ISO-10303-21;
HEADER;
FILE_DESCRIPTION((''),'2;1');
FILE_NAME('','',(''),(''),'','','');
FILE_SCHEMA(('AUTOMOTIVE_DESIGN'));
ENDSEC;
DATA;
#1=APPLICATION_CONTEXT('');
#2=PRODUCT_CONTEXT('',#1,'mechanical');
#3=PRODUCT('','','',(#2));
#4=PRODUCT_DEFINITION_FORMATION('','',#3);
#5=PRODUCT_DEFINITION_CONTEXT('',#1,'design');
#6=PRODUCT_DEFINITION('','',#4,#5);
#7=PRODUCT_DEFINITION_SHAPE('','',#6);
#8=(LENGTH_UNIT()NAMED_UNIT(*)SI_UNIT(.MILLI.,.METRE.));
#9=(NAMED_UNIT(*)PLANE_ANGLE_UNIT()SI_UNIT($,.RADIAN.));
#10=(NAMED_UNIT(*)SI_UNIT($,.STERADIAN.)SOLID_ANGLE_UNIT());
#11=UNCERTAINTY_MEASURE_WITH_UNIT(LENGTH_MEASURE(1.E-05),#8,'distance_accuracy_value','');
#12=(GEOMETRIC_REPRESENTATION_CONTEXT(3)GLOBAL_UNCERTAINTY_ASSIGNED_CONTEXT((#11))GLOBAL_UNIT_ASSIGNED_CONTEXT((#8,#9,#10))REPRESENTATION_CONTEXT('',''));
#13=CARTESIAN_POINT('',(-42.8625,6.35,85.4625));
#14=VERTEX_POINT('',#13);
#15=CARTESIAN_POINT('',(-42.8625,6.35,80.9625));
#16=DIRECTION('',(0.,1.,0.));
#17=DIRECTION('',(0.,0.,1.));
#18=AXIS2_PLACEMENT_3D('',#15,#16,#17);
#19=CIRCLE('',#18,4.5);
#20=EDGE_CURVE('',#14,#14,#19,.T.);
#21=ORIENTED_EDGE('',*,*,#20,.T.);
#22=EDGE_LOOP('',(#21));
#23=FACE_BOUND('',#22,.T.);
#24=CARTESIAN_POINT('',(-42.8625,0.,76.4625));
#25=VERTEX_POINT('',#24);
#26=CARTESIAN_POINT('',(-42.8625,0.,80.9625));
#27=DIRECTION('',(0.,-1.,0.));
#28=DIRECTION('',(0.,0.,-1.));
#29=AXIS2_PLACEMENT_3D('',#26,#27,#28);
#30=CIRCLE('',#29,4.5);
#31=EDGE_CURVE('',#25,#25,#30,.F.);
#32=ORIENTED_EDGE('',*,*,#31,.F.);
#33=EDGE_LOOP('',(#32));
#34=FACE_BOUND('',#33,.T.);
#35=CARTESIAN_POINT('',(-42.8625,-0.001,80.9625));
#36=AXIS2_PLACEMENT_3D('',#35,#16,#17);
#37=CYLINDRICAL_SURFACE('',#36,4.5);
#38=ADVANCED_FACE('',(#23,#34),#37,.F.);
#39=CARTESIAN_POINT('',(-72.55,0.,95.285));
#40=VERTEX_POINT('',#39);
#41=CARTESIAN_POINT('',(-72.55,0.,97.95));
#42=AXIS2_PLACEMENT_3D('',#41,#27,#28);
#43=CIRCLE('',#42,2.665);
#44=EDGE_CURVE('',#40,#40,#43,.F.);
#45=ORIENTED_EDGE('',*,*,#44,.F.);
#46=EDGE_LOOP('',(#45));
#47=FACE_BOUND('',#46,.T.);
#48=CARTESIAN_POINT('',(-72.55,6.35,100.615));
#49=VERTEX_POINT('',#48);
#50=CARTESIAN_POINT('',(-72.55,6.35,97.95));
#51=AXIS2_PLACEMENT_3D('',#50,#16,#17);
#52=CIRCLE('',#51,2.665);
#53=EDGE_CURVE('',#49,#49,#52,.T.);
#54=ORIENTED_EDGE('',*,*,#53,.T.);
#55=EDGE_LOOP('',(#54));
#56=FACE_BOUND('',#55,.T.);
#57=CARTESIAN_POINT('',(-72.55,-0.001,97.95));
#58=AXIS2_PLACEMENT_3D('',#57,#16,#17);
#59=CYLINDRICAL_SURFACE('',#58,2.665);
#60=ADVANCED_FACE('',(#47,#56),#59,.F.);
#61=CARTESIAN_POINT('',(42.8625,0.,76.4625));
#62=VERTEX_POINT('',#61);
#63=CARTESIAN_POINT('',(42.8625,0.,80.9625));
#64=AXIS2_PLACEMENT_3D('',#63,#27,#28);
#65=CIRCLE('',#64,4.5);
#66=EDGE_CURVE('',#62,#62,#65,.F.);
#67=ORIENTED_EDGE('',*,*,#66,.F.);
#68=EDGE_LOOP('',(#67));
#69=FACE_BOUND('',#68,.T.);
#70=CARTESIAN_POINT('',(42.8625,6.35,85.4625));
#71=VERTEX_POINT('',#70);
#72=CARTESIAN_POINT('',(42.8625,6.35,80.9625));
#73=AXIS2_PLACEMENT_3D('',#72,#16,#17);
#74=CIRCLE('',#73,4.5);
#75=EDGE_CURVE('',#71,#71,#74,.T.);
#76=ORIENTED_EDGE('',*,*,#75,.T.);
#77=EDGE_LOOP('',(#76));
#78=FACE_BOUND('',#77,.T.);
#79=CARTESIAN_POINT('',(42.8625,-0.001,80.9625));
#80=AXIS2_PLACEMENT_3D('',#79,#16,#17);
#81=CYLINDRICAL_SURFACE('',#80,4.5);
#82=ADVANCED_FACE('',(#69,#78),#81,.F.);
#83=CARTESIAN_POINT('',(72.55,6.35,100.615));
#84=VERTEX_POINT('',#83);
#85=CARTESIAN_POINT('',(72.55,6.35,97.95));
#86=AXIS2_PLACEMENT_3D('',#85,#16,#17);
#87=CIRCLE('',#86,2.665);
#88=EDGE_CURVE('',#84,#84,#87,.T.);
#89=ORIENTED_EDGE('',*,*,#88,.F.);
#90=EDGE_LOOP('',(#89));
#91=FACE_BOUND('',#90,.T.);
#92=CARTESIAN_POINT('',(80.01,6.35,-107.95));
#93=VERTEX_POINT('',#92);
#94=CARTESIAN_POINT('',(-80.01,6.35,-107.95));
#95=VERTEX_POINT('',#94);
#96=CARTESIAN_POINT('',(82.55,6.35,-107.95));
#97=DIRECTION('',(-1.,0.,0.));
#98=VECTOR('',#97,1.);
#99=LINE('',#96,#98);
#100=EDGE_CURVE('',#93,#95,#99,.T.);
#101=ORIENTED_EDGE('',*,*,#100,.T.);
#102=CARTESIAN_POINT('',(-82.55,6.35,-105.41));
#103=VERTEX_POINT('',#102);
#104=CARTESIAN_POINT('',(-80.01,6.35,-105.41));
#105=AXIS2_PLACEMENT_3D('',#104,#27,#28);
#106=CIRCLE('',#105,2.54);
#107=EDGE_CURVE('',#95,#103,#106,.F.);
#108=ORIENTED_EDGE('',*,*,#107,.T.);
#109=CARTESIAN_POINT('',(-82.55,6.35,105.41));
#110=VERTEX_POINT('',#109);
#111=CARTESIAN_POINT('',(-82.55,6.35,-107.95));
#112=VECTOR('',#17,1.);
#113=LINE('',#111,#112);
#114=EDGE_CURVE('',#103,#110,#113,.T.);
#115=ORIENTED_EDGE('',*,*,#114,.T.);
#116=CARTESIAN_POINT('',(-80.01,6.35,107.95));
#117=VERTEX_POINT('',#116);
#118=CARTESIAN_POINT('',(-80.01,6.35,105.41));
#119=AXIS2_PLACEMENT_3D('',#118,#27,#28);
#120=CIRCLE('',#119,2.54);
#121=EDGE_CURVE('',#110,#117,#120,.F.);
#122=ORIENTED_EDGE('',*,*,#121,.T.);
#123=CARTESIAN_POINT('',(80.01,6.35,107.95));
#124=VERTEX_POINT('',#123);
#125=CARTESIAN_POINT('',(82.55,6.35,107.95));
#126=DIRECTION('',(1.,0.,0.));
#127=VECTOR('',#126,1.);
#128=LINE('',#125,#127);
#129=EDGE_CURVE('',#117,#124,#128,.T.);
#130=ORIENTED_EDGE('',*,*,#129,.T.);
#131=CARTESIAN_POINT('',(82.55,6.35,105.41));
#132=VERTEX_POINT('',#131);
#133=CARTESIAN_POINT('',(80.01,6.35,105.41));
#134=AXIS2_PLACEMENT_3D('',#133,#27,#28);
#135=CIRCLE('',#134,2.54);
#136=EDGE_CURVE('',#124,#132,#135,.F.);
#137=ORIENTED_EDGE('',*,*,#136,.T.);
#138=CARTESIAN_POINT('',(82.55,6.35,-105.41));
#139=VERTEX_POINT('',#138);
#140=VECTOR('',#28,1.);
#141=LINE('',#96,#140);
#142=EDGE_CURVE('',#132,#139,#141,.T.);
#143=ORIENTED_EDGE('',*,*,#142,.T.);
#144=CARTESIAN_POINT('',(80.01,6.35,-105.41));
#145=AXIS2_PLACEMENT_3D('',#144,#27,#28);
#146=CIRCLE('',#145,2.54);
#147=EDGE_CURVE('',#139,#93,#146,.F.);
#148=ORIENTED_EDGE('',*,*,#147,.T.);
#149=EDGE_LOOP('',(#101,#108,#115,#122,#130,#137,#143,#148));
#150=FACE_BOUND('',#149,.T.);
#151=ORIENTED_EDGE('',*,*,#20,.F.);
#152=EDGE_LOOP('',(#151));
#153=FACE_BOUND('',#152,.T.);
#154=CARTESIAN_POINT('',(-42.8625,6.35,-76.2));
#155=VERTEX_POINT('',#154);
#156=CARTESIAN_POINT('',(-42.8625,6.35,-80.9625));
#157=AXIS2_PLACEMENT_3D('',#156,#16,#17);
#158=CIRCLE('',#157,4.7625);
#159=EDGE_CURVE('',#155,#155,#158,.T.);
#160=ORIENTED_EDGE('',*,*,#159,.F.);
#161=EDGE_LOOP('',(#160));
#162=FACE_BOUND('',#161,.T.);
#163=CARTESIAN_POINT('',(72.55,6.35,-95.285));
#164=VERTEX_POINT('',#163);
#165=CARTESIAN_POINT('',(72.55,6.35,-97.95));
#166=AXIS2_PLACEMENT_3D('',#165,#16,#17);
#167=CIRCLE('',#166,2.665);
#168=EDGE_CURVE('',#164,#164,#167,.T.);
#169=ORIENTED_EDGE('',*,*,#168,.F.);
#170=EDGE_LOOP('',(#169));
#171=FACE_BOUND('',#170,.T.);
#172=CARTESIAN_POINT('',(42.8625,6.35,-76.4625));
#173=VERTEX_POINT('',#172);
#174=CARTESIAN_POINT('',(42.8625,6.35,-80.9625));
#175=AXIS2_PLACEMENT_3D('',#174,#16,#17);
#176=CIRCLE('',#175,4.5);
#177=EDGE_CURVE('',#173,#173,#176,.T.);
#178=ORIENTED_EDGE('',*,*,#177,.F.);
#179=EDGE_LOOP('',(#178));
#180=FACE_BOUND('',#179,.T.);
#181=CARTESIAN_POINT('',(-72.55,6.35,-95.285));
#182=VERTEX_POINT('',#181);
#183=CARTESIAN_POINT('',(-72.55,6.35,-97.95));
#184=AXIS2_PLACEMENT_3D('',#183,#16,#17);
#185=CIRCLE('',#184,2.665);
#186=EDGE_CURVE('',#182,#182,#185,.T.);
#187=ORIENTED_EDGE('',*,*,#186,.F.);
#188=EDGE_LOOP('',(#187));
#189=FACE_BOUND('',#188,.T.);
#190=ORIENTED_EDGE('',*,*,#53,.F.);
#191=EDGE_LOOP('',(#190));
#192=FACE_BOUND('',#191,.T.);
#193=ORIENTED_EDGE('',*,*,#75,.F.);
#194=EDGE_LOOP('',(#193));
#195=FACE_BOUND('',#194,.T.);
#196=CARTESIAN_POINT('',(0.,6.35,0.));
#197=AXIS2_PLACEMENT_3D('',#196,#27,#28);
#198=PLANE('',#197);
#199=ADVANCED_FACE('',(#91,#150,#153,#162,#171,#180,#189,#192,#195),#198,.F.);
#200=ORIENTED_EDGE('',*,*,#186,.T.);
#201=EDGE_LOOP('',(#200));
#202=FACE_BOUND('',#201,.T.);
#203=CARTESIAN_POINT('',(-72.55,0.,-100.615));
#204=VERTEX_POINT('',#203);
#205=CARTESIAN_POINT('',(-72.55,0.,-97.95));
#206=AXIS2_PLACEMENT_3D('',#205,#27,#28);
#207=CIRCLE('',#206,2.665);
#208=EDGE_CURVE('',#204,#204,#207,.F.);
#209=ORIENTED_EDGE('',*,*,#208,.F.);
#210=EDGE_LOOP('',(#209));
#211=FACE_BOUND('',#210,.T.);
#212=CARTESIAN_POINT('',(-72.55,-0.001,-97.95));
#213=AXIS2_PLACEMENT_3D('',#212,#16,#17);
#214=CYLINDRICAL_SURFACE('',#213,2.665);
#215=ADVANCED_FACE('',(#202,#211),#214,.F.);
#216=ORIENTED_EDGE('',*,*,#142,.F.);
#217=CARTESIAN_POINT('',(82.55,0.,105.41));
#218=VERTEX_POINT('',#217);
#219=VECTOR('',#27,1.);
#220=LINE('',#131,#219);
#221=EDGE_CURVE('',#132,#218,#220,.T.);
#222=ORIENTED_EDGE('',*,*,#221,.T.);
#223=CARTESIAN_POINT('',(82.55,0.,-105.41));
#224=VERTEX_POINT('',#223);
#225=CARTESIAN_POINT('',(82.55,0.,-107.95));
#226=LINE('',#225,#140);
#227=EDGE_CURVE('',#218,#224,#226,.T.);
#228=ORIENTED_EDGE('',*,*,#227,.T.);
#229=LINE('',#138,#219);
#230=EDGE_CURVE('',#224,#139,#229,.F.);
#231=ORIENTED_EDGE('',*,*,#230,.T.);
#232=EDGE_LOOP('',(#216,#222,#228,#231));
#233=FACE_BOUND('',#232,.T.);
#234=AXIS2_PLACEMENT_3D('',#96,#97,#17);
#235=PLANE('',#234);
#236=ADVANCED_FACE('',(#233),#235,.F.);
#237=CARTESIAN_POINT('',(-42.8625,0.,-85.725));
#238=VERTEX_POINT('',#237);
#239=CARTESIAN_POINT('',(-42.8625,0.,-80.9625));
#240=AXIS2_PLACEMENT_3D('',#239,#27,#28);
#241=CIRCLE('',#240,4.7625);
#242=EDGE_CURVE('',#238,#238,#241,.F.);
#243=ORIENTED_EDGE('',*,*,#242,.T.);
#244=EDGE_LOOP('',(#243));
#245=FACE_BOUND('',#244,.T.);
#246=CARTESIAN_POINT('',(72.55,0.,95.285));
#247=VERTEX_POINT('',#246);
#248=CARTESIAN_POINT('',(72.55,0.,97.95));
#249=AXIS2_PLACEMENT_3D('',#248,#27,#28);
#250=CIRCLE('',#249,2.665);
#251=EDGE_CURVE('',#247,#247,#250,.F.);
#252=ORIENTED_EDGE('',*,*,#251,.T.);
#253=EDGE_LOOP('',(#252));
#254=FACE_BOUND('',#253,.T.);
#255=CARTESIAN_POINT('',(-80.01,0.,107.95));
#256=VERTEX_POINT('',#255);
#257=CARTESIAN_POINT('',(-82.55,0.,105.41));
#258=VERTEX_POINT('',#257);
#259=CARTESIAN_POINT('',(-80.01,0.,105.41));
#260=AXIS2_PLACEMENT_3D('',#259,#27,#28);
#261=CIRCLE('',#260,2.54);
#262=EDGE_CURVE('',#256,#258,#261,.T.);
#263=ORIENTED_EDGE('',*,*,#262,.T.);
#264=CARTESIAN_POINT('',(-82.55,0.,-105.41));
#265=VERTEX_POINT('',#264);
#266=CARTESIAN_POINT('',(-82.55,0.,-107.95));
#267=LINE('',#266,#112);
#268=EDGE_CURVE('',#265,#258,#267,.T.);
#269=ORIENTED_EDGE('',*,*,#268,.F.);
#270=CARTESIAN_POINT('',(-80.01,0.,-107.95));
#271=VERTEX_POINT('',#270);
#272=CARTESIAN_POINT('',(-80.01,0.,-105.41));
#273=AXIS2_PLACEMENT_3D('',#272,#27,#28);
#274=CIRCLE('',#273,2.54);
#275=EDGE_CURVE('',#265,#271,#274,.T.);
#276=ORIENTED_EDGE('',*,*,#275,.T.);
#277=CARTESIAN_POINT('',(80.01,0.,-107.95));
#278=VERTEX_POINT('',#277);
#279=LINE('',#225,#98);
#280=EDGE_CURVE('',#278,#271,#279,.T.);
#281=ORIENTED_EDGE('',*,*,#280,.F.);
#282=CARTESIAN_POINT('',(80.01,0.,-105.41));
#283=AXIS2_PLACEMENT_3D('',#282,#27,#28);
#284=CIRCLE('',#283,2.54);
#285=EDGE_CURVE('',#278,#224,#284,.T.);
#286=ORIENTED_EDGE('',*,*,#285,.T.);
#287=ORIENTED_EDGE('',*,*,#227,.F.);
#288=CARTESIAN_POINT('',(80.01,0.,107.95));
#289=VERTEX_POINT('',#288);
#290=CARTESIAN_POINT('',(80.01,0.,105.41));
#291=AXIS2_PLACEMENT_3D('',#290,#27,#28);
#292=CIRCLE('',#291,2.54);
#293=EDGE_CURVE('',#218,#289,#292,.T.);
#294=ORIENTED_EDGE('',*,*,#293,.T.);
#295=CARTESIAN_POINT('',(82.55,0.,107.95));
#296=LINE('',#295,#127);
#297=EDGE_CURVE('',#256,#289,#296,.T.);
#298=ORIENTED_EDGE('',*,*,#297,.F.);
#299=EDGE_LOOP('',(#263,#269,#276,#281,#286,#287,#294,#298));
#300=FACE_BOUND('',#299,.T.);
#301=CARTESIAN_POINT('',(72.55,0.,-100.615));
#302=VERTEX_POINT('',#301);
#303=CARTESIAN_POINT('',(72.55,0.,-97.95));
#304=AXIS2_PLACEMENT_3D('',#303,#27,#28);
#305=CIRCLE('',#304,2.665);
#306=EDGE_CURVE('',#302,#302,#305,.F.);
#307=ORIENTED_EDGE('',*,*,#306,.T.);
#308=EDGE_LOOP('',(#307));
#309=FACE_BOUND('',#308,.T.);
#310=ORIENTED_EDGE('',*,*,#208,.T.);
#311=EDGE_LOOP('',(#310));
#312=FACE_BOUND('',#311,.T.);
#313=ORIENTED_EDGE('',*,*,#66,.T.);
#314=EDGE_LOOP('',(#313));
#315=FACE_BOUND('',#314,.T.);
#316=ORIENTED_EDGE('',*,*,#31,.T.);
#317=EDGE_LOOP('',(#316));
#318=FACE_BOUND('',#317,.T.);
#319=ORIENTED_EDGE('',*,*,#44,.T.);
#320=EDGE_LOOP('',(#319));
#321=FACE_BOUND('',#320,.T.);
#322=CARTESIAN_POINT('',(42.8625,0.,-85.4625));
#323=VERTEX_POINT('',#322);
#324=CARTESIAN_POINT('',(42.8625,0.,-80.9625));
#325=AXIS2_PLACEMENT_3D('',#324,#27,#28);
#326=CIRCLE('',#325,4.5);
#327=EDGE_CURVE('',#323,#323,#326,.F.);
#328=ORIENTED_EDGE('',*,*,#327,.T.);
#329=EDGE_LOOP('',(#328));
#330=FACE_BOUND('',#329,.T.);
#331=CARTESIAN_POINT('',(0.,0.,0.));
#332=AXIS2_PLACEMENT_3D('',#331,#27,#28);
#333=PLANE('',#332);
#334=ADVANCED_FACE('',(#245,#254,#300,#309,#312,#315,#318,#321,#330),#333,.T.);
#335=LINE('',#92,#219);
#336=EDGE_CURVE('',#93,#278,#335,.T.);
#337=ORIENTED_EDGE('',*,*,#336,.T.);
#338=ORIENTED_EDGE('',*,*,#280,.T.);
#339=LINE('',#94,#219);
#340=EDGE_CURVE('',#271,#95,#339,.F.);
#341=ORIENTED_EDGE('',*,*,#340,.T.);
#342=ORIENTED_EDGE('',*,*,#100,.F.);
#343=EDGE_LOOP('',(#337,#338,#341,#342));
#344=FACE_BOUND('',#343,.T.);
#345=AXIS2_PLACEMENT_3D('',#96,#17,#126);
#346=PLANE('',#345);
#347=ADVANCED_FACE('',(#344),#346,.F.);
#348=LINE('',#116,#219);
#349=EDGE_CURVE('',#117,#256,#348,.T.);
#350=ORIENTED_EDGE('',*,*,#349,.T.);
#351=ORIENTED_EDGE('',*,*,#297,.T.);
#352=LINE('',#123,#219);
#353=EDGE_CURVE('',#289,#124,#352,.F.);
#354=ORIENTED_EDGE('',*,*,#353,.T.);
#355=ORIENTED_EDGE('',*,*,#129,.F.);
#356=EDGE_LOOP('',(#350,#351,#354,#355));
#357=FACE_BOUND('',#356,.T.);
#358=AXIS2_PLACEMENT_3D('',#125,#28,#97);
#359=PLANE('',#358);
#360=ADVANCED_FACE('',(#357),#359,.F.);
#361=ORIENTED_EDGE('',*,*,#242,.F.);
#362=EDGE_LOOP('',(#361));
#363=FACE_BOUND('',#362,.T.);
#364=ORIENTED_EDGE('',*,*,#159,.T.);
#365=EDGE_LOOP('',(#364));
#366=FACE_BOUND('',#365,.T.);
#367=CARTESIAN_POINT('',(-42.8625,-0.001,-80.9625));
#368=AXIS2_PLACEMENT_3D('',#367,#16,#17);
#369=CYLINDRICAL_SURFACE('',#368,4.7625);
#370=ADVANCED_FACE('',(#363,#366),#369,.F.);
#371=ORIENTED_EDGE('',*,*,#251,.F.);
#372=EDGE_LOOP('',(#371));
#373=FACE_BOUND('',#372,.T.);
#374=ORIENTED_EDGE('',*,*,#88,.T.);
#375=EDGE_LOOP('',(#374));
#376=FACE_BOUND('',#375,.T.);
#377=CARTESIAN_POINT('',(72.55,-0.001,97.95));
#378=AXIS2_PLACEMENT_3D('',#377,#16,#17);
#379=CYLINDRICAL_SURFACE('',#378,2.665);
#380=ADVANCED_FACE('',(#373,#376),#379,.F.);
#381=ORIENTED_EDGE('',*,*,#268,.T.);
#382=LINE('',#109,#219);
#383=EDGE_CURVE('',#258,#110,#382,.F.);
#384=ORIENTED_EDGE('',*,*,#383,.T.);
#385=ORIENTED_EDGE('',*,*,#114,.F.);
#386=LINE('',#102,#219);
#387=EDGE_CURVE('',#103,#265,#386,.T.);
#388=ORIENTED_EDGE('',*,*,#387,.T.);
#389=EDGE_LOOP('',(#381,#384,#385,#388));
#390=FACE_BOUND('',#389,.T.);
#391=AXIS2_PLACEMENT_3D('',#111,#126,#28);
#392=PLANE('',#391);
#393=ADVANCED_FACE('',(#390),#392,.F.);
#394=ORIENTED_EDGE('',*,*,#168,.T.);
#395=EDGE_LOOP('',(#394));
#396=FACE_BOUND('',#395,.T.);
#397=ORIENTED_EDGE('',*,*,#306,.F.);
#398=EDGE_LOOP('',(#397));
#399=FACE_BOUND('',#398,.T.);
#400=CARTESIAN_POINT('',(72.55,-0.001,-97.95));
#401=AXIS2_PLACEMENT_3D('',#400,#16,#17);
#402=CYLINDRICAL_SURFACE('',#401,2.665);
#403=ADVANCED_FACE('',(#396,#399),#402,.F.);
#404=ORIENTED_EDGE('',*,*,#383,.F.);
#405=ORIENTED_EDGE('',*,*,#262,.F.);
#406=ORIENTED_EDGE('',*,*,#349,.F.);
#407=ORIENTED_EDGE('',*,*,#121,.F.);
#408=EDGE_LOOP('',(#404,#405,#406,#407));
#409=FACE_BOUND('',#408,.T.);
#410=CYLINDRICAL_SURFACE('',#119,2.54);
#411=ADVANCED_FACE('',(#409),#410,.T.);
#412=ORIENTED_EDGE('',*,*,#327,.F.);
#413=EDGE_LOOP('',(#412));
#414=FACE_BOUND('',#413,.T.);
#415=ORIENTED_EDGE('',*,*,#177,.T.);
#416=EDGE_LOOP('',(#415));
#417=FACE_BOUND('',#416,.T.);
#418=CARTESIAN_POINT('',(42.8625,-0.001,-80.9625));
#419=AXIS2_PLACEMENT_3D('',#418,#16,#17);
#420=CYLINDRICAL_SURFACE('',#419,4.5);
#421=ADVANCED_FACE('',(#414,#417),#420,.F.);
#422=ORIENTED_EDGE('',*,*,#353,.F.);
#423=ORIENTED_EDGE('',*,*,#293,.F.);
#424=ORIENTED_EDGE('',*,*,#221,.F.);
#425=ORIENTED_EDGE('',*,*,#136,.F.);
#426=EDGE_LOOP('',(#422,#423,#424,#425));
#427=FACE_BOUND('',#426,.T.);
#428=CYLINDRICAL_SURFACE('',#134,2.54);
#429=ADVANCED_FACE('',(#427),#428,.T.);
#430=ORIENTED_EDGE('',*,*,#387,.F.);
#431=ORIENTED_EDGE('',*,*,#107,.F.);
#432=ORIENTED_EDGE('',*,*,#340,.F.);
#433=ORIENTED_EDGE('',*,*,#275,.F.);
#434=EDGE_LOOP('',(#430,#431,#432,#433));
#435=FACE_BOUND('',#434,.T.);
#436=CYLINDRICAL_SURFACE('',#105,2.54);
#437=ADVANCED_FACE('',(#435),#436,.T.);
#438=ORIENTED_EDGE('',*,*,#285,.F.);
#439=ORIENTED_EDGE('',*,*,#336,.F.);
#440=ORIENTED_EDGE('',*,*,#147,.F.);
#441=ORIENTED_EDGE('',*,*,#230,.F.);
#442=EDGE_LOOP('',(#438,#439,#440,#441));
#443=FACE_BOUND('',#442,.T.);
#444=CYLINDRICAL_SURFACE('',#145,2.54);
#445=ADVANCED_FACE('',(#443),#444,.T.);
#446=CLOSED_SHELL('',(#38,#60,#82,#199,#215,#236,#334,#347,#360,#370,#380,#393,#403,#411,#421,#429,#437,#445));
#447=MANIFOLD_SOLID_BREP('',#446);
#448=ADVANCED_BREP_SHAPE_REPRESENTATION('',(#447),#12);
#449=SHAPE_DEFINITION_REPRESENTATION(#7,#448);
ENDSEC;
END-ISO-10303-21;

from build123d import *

# Parameters (mm, degrees)
SKETCH1_W           = 165.1
SKETCH1_H           = 215.9
BOSS_EXTRUDE1_DEPTH = 6.35
CUT_EXTRUDE2_REACH  = 138.044
SKETCH3_R           = 2.665
FILLET1_R           = 2.54
CUT_EXTRUDE3_REACH  = 138.044
SKETCH2_R           = 4.7625
SKETCH2_R_2         = 4.5


with BuildPart() as part:
    # Sketch1 → Boss-Extrude1 (new body)
    with BuildSketch(Plane(origin=(0, 0, 0), x_dir=(1, 0, 0), z_dir=(0, 1, 0))):
        Rectangle(SKETCH1_W, SKETCH1_H)
    extrude(amount=BOSS_EXTRUDE1_DEPTH)

    # Sketch3 → Cut-Extrude2 (cut, up to next)
    with BuildSketch(Plane(origin=(0, 6.35, 0), x_dir=(-1, 0, 0), z_dir=(0, 1, 0)), mode=Mode.PRIVATE) as cut_extrude2_sk1:
        with Locations(Location((72.55, 97.95, 0), (0, 0, 90))):
            Circle(SKETCH3_R)
    cut_extrude2_tool1 = extrude(cut_extrude2_sk1.sketch, amount=-CUT_EXTRUDE2_REACH, mode=Mode.PRIVATE) & part.part
    # Sketch3 → Cut-Extrude2 (cut, up to next)
    with BuildSketch(Plane(origin=(0, 6.35, 0), x_dir=(-1, 0, 0), z_dir=(0, 1, 0)), mode=Mode.PRIVATE) as cut_extrude2_sk2:
        with Locations(Location((-72.55, 97.95, 0), (0, 0, 90))):
            Circle(SKETCH3_R)
    cut_extrude2_tool2 = extrude(cut_extrude2_sk2.sketch, amount=-CUT_EXTRUDE2_REACH, mode=Mode.PRIVATE) & part.part
    # Sketch3 → Cut-Extrude2 (cut, up to next)
    with BuildSketch(Plane(origin=(0, 6.35, 0), x_dir=(-1, 0, 0), z_dir=(0, 1, 0)), mode=Mode.PRIVATE) as cut_extrude2_sk3:
        with Locations(Location((-72.55, -97.95, 0), (0, 0, 90))):
            Circle(SKETCH3_R)
    cut_extrude2_tool3 = extrude(cut_extrude2_sk3.sketch, amount=-CUT_EXTRUDE2_REACH, mode=Mode.PRIVATE) & part.part
    # Sketch3 → Cut-Extrude2 (cut, up to next)
    with BuildSketch(Plane(origin=(0, 6.35, 0), x_dir=(-1, 0, 0), z_dir=(0, 1, 0)), mode=Mode.PRIVATE) as cut_extrude2_sk4:
        with Locations(Location((72.55, -97.95, 0), (0, 0, 90))):
            Circle(SKETCH3_R)
    cut_extrude2_tool4 = extrude(cut_extrude2_sk4.sketch, amount=-CUT_EXTRUDE2_REACH, mode=Mode.PRIVATE) & part.part
    add(cut_extrude2_tool1.solids().sort_by_distance((-72.55, 6.35, 97.95))[0], mode=Mode.SUBTRACT)
    add(cut_extrude2_tool2.solids().sort_by_distance((72.55, 6.35, 97.95))[0], mode=Mode.SUBTRACT)
    add(cut_extrude2_tool3.solids().sort_by_distance((72.55, 6.35, -97.95))[0], mode=Mode.SUBTRACT)
    add(cut_extrude2_tool4.solids().sort_by_distance((-72.55, 6.35, -97.95))[0], mode=Mode.SUBTRACT)

    # Fillet1
    fillet1_edges = [part.edges().sort_by_distance(p)[0] for p in [
        (-82.55, 3.175, -107.95),
        (82.55, 3.175, -107.95),
        (82.55, 3.175, 107.95),
        (-82.55, 3.175, 107.95),
    ]]
    fillet(fillet1_edges, radius=FILLET1_R)

    # Sketch2 → Cut-Extrude3 (cut, up to next)
    with BuildSketch(Plane(origin=(0, 6.35, 0), x_dir=(1, 0, 0), z_dir=(0, 1, 0)), mode=Mode.PRIVATE) as cut_extrude3_sk1:
        with Locations(Location((-42.8625, 80.9625, 0), (0, 0, 270))):
            Circle(SKETCH2_R)
    cut_extrude3_tool1 = extrude(cut_extrude3_sk1.sketch, amount=-CUT_EXTRUDE3_REACH, mode=Mode.PRIVATE) & part.part
    # Sketch2 → Cut-Extrude3 (cut, up to next)
    with BuildSketch(Plane(origin=(0, 6.35, 0), x_dir=(1, 0, 0), z_dir=(0, 1, 0)), mode=Mode.PRIVATE) as cut_extrude3_sk2:
        with Locations(Location((-42.8625, -80.9625, 0), (0, 0, 270))):
            Circle(SKETCH2_R_2)
    cut_extrude3_tool2 = extrude(cut_extrude3_sk2.sketch, amount=-CUT_EXTRUDE3_REACH, mode=Mode.PRIVATE) & part.part
    # Sketch2 → Cut-Extrude3 (cut, up to next)
    with BuildSketch(Plane(origin=(0, 6.35, 0), x_dir=(1, 0, 0), z_dir=(0, 1, 0)), mode=Mode.PRIVATE) as cut_extrude3_sk3:
        with Locations(Location((42.8625, -80.9625, 0), (0, 0, 270))):
            Circle(SKETCH2_R_2)
    cut_extrude3_tool3 = extrude(cut_extrude3_sk3.sketch, amount=-CUT_EXTRUDE3_REACH, mode=Mode.PRIVATE) & part.part
    # Sketch2 → Cut-Extrude3 (cut, up to next)
    with BuildSketch(Plane(origin=(0, 6.35, 0), x_dir=(1, 0, 0), z_dir=(0, 1, 0)), mode=Mode.PRIVATE) as cut_extrude3_sk4:
        with Locations(Location((42.8625, 80.9625, 0), (0, 0, 270))):
            Circle(SKETCH2_R_2)
    cut_extrude3_tool4 = extrude(cut_extrude3_sk4.sketch, amount=-CUT_EXTRUDE3_REACH, mode=Mode.PRIVATE) & part.part
    add(cut_extrude3_tool1.solids().sort_by_distance((-42.8625, 6.35, -80.9625))[0], mode=Mode.SUBTRACT)
    add(cut_extrude3_tool2.solids().sort_by_distance((-42.8625, 6.35, 80.9625))[0], mode=Mode.SUBTRACT)
    add(cut_extrude3_tool3.solids().sort_by_distance((42.8625, 6.35, 80.9625))[0], mode=Mode.SUBTRACT)
    add(cut_extrude3_tool4.solids().sort_by_distance((42.8625, 6.35, -80.9625))[0], mode=Mode.SUBTRACT)


solid = part.part
